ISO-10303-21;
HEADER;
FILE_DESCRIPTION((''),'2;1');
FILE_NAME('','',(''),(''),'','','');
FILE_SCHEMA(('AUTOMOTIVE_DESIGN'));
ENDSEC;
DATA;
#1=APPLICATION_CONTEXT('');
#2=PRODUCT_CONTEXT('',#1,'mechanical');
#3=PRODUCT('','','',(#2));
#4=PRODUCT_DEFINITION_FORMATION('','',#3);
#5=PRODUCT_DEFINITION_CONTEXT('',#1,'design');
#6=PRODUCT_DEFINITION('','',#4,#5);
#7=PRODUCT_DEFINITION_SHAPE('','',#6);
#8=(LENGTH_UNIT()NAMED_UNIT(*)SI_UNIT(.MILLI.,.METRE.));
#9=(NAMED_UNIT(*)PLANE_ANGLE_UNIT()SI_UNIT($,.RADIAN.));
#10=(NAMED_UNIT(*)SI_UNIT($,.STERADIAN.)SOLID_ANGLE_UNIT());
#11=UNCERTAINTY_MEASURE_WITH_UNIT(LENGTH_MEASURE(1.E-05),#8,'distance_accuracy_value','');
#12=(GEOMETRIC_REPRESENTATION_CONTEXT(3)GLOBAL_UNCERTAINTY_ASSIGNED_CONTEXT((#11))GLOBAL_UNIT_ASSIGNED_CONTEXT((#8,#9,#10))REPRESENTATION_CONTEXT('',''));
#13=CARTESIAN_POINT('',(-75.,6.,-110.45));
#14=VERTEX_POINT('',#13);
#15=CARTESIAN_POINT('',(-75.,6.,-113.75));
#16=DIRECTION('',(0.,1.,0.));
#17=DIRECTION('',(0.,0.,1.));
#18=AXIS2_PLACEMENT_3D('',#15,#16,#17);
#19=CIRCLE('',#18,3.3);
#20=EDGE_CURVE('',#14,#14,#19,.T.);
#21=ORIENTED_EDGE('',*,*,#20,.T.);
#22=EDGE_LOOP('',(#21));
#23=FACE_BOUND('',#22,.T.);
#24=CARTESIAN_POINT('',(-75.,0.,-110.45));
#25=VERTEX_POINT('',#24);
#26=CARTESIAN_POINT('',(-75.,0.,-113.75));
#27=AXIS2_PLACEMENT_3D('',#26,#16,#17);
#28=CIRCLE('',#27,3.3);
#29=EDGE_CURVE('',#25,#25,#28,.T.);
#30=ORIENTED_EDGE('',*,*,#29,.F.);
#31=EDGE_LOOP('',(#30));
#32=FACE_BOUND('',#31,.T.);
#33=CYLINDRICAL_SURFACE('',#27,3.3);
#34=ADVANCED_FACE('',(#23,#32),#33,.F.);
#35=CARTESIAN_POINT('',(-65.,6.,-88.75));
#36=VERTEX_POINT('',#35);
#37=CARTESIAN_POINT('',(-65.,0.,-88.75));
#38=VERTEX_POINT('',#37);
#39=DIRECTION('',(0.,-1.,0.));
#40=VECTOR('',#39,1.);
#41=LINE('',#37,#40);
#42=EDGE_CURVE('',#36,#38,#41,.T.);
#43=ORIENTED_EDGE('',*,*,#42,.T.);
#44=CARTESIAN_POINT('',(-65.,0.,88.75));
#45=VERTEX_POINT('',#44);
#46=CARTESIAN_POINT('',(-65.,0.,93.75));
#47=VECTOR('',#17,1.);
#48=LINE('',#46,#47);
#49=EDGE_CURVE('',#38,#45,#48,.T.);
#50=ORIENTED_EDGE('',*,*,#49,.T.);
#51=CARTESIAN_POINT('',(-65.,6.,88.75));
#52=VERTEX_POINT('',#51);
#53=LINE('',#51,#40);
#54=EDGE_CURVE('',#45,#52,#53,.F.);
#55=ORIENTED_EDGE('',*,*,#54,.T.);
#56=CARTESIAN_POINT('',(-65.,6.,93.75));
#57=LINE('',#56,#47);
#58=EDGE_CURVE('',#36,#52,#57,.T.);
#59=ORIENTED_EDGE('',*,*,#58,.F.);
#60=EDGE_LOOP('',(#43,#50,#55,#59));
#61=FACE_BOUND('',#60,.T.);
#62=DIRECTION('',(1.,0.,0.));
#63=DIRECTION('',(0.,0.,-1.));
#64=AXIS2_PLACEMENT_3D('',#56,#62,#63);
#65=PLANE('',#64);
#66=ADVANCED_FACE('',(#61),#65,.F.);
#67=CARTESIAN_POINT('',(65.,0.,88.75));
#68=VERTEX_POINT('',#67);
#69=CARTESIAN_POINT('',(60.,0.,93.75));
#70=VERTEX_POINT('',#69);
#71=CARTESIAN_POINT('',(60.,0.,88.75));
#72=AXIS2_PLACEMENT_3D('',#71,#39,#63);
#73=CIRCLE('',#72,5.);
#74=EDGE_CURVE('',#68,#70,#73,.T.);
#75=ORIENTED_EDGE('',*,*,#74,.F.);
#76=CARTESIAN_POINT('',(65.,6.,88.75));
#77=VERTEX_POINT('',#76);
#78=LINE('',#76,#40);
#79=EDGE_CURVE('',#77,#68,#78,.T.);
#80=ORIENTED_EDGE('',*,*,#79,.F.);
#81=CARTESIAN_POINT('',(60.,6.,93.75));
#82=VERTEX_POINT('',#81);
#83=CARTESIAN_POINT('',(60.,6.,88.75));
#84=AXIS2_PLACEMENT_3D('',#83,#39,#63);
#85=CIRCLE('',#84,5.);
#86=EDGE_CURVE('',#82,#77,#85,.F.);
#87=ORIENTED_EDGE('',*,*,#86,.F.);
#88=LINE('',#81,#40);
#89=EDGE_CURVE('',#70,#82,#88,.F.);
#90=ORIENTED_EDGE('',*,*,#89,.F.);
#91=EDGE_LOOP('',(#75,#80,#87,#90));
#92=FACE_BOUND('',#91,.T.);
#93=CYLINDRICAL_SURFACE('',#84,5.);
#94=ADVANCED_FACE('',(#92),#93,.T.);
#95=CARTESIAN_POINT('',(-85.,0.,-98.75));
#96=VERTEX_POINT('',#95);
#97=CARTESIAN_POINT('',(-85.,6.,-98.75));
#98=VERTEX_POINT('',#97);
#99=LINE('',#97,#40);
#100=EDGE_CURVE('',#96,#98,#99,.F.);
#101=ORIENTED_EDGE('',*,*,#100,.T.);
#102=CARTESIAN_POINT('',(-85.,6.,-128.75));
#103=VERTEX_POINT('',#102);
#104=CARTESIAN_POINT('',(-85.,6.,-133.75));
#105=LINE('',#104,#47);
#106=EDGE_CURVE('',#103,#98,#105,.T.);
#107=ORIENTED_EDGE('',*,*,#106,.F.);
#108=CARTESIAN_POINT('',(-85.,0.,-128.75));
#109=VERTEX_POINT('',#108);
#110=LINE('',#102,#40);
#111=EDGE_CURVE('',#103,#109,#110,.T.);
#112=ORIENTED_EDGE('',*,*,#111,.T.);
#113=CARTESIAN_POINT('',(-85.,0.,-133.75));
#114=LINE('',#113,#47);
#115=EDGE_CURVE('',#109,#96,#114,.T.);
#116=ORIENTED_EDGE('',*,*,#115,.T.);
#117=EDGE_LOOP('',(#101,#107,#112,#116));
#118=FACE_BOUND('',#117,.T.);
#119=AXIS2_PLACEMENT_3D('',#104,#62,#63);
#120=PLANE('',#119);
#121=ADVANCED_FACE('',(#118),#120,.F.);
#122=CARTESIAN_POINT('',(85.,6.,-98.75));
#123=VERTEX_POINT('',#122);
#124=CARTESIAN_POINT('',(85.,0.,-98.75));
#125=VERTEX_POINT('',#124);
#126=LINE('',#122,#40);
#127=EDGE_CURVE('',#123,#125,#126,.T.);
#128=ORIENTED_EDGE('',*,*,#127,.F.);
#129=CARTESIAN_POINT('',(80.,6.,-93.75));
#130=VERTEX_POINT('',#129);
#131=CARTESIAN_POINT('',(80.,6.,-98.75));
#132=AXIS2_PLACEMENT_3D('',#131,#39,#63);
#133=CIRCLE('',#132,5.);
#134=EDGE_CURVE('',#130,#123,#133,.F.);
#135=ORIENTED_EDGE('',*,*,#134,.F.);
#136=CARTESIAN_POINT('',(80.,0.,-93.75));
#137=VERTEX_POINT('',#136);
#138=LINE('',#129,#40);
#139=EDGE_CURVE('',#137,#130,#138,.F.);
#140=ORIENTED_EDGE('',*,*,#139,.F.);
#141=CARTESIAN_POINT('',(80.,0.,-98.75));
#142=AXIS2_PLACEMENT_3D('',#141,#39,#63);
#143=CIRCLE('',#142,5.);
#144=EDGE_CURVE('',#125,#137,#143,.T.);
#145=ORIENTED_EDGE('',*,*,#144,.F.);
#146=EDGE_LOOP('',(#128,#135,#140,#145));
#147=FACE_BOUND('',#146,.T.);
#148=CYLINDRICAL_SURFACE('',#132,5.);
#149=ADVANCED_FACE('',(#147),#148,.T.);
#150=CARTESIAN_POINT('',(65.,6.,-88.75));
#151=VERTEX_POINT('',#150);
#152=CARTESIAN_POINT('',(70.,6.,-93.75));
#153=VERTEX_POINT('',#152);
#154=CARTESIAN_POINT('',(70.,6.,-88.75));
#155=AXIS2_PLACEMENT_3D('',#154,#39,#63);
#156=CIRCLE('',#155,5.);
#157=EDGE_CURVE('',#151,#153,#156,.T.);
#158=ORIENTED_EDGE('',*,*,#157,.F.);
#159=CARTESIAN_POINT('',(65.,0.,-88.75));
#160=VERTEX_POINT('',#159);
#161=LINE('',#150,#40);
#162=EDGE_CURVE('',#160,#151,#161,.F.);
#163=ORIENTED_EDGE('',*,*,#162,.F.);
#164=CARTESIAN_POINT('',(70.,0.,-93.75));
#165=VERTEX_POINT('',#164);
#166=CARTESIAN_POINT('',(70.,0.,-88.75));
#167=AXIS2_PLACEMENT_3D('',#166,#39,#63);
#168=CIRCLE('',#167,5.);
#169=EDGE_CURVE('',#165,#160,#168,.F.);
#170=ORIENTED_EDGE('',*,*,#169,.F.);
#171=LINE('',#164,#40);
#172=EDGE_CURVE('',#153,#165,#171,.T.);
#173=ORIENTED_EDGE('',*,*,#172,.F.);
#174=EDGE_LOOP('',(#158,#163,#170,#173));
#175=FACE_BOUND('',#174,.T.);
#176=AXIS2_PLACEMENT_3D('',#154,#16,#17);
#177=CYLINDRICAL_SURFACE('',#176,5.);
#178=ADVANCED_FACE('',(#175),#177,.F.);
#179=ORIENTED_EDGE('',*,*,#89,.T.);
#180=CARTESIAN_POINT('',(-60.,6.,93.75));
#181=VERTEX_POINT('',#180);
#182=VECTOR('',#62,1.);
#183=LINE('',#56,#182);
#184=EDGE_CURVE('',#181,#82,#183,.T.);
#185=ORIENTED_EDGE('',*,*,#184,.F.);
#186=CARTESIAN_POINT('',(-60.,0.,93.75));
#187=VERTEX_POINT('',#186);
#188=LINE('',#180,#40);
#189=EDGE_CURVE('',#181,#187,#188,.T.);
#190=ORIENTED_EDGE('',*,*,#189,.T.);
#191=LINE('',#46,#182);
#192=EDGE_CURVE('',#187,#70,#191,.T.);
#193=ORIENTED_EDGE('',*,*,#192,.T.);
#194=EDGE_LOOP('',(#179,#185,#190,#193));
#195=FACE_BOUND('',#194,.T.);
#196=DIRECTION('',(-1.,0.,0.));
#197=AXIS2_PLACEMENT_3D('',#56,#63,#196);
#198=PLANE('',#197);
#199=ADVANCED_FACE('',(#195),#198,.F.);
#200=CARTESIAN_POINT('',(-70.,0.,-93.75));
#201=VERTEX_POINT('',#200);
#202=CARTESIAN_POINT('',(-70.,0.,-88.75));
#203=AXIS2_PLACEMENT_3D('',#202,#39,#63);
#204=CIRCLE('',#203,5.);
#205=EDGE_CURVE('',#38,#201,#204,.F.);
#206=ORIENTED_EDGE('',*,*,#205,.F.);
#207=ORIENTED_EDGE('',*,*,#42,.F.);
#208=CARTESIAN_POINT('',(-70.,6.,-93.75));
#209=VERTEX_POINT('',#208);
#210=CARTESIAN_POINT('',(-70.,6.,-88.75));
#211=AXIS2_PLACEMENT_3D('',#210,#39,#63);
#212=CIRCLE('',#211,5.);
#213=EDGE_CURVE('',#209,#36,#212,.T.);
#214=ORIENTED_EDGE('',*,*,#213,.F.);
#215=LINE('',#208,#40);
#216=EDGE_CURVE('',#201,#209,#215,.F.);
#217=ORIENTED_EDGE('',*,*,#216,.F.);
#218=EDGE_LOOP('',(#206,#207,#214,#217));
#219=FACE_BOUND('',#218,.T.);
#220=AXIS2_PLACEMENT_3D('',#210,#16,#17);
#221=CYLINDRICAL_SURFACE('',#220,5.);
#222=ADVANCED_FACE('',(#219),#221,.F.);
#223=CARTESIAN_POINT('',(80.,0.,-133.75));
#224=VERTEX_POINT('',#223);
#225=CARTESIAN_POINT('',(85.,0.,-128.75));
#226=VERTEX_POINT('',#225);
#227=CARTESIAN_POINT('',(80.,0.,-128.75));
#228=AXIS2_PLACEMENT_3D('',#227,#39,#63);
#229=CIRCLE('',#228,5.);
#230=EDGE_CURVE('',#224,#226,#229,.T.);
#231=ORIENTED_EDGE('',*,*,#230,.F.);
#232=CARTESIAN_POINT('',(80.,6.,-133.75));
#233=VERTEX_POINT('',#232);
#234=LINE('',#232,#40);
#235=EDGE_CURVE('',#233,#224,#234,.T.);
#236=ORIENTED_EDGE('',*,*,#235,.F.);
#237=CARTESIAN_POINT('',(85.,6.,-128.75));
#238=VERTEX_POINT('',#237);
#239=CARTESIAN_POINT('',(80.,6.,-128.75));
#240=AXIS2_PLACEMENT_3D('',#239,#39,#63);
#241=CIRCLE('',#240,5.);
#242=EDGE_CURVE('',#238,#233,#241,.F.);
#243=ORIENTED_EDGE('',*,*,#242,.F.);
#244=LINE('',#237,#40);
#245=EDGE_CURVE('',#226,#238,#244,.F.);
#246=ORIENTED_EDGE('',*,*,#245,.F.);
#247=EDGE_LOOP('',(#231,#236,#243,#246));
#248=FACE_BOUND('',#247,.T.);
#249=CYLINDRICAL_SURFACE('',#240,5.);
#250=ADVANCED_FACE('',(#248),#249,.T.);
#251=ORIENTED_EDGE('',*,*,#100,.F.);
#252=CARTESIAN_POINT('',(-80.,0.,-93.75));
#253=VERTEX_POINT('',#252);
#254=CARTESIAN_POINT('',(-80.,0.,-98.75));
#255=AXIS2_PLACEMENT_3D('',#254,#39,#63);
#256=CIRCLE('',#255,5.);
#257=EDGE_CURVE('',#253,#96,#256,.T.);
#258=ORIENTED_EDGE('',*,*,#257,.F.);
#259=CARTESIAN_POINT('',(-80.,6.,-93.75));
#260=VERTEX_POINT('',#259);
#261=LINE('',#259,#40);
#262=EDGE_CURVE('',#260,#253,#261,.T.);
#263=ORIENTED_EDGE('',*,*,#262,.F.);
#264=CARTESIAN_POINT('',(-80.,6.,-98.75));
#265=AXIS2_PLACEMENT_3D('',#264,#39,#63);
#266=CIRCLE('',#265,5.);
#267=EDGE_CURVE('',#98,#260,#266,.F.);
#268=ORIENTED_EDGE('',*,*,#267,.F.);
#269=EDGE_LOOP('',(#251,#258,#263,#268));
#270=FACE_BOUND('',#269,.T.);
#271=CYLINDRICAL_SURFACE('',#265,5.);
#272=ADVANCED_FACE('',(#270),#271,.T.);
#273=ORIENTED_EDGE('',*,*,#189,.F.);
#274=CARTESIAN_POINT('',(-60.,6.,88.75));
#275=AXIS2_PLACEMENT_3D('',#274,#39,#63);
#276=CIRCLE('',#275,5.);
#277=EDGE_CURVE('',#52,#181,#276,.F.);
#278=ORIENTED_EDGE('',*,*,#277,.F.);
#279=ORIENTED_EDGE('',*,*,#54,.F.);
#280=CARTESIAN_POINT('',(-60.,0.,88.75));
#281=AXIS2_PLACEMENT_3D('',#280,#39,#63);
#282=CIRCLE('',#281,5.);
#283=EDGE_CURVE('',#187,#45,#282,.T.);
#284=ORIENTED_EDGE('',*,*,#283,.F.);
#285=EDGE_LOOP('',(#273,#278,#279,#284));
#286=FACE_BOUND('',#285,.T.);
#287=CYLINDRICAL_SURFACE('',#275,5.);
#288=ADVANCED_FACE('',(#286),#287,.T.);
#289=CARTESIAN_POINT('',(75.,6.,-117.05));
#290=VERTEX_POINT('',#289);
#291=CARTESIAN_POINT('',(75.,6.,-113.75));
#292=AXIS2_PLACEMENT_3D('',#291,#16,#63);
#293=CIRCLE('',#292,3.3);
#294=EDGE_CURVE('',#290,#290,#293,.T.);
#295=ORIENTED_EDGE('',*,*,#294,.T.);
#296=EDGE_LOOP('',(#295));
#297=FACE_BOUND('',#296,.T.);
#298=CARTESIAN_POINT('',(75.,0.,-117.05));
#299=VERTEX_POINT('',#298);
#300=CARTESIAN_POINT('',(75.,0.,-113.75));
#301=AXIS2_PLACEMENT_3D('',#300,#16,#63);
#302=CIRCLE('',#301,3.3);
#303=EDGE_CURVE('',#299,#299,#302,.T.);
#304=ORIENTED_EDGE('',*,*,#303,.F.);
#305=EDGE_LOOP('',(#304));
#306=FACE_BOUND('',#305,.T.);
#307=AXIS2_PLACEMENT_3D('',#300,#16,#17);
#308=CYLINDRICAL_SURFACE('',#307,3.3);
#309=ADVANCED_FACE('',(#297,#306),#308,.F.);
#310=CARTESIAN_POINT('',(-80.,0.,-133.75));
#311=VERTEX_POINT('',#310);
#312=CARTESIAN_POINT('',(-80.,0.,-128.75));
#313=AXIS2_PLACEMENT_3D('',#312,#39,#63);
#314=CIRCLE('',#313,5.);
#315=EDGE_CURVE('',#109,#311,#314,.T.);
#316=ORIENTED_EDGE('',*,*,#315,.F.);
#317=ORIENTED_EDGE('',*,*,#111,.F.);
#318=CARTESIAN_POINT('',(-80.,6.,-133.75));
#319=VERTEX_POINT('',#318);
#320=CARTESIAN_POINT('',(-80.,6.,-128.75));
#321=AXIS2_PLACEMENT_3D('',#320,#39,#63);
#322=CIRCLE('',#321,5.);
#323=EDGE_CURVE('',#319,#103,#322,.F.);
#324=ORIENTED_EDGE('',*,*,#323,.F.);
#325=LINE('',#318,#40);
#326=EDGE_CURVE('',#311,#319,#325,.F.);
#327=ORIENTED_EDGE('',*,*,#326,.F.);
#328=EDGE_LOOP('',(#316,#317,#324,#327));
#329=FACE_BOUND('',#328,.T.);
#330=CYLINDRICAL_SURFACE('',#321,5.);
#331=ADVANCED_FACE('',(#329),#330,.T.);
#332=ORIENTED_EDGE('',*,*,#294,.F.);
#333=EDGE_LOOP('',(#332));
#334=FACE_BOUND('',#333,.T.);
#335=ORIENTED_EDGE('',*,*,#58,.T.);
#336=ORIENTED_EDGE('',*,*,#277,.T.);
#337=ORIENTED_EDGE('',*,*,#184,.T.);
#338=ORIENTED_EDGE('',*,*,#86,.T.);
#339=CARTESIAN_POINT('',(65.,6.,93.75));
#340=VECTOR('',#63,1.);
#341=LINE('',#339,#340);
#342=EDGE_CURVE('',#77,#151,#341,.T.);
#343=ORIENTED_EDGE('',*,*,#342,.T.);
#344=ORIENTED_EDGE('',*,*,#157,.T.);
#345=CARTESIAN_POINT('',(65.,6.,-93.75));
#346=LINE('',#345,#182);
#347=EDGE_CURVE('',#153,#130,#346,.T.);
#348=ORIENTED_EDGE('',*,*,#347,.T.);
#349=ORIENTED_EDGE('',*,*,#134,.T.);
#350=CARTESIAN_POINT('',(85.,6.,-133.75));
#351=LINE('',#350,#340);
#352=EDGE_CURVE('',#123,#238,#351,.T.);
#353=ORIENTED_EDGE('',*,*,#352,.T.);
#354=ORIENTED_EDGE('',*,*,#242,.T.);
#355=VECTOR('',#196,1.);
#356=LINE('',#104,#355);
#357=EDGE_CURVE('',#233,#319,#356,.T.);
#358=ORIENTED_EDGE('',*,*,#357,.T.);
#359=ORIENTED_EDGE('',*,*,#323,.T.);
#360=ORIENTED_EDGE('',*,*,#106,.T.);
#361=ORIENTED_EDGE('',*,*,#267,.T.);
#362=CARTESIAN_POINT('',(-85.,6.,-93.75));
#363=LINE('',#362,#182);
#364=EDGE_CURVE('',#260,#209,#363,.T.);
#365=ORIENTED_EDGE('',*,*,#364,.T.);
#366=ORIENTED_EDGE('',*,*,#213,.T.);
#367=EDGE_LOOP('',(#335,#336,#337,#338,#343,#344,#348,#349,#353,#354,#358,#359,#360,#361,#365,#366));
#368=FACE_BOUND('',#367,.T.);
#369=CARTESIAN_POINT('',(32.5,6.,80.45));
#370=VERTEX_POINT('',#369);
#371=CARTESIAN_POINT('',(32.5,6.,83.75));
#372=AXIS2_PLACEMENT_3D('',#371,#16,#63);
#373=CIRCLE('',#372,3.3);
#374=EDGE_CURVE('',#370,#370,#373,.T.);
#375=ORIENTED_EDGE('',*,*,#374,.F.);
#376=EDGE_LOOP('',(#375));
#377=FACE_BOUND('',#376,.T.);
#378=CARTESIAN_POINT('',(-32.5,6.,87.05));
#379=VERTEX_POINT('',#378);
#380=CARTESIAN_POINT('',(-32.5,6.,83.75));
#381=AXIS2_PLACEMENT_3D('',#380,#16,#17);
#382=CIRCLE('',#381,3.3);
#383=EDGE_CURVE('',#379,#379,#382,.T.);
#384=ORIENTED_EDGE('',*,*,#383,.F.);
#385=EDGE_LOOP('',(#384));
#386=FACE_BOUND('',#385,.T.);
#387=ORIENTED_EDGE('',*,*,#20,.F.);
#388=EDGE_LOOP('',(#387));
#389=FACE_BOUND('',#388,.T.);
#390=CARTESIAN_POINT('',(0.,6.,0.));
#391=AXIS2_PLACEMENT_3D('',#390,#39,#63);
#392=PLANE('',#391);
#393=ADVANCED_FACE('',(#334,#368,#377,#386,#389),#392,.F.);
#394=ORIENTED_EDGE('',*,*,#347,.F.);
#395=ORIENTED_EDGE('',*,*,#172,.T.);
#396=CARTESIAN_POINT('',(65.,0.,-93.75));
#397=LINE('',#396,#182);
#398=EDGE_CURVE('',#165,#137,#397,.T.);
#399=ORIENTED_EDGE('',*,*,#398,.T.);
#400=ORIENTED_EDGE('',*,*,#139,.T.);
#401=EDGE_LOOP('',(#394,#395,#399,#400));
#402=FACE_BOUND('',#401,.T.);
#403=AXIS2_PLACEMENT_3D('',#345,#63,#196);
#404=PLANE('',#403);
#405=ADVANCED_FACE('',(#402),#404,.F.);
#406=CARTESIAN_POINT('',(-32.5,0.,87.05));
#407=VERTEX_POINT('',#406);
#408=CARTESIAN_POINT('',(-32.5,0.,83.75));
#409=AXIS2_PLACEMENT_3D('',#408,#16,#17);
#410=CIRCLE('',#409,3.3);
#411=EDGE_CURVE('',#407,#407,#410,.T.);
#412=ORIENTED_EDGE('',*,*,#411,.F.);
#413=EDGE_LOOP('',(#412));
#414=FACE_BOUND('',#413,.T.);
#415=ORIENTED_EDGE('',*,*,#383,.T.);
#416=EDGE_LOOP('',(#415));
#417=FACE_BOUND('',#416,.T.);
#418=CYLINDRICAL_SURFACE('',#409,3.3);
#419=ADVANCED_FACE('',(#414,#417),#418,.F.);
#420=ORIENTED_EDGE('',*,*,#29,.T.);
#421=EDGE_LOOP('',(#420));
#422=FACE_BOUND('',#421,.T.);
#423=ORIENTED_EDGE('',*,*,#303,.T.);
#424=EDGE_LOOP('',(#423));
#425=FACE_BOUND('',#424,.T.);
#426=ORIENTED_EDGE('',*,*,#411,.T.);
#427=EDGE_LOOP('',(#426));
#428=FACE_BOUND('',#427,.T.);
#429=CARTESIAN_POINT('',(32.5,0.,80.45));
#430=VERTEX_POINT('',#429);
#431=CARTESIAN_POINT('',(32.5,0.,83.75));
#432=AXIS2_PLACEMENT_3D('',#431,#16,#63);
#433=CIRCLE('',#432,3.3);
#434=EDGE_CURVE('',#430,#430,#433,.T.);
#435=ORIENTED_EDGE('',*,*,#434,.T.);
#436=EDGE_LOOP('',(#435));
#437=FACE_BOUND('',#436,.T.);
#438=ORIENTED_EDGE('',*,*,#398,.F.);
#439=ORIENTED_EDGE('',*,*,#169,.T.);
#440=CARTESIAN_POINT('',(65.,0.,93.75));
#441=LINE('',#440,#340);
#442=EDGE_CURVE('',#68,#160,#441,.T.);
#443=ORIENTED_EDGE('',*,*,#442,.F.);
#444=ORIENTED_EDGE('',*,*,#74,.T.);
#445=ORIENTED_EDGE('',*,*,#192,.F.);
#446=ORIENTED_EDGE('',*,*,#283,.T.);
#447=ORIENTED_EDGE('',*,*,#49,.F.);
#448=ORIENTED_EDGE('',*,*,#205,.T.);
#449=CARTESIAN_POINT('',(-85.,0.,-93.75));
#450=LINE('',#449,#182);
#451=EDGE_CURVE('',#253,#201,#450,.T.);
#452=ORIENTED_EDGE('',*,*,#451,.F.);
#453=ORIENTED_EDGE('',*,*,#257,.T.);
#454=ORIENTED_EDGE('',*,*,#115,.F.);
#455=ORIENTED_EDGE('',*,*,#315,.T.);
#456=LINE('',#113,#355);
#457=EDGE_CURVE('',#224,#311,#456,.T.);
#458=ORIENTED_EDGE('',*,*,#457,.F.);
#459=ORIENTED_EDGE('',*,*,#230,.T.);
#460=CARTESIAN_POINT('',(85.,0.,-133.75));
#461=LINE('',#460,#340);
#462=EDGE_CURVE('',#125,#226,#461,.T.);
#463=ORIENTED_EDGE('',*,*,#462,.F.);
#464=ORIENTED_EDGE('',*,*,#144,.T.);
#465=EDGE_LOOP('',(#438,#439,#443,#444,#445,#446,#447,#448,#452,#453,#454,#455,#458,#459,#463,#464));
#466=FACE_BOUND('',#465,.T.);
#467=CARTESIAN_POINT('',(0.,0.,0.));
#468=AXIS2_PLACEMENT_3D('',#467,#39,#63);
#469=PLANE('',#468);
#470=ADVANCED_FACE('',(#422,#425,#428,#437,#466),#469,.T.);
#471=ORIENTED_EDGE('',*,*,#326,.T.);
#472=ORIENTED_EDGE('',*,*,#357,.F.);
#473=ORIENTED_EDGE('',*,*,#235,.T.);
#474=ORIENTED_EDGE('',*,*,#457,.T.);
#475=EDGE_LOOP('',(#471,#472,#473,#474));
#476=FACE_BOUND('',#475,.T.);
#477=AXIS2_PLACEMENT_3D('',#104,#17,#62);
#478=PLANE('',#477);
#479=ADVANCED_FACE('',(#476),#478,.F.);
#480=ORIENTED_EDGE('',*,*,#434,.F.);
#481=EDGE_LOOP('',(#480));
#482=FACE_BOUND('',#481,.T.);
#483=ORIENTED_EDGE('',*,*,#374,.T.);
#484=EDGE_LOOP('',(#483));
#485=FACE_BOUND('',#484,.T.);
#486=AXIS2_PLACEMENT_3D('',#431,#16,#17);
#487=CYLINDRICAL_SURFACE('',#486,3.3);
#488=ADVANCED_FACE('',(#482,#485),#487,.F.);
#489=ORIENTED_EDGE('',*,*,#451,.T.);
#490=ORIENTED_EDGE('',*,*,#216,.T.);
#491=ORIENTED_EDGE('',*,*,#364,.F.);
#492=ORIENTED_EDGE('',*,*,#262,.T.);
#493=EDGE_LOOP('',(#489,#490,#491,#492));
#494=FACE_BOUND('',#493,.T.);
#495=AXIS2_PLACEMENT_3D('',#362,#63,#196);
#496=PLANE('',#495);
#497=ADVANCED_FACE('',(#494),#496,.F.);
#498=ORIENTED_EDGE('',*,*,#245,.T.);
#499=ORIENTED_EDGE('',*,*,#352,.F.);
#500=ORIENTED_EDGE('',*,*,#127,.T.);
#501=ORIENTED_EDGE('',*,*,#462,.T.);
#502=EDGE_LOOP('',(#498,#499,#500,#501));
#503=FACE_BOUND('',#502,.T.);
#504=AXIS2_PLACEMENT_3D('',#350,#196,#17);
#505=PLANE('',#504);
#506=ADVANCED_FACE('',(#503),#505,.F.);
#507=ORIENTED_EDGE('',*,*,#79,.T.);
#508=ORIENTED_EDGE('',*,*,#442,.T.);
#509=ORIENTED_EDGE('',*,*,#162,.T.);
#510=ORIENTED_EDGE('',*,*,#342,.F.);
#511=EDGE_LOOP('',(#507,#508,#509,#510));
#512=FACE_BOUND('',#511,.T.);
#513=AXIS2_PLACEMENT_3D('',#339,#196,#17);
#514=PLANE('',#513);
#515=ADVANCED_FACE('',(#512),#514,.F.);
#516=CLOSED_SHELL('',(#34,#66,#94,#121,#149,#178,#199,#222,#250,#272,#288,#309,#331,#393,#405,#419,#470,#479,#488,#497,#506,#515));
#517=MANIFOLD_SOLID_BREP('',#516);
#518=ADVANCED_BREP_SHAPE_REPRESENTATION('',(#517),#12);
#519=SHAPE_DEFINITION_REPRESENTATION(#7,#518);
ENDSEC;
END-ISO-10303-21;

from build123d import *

# Parameters (mm, degrees)
BOSS_EXTRUDE2_DEPTH = 6
SKETCH3_R           = 3.3
CUT_EXTRUDE1_DEPTH  = 159.587712323
FILLET1_R           = 5


with BuildPart() as part:
    # Sketch1 → Boss-Extrude2 (new body)
    with BuildSketch(Plane(origin=(0, 0, 0), x_dir=(1, 0, 0), z_dir=(0, 1, 0))):
        Polygon((-85, 93.75), (-65, 93.75), (-65, -93.75), (65, -93.75), (65, 93.75), (85, 93.75), (85, 133.75), (-85, 133.75), align=None)
    extrude(amount=BOSS_EXTRUDE2_DEPTH)

    # Sketch3 → Cut-Extrude1 (cut, through all)
    with BuildSketch(Plane(origin=(0, 6, 0), x_dir=(1, 0, 0), z_dir=(0, 1, 0))):
        with Locations(Location((-75, 113.75, 0), (0, 0, 270))):
            Circle(SKETCH3_R)
        with Locations(Location((-32.5, -83.75, 0), (0, 0, 270))):
            Circle(SKETCH3_R)
        with Locations(Location((75, 113.75, 0), (0, 0, 90))):
            Circle(SKETCH3_R)
        with Locations(Location((32.5, -83.75, 0), (0, 0, 90))):
            Circle(SKETCH3_R)
    extrude(amount=-CUT_EXTRUDE1_DEPTH, mode=Mode.SUBTRACT)

    # Fillet1
    fillet1_edges = [part.edges().sort_by_distance(p)[0] for p in [
        (65, 3, -93.75),
        (65, 3, 93.75),
        (-65, 3, 93.75),
        (-65, 3, -93.75),
        (-85, 3, -93.75),
        (-85, 3, -133.75),
        (85, 3, -133.75),
        (85, 3, -93.75),
    ]]
    fillet(fillet1_edges, radius=FILLET1_R)


solid = part.part
